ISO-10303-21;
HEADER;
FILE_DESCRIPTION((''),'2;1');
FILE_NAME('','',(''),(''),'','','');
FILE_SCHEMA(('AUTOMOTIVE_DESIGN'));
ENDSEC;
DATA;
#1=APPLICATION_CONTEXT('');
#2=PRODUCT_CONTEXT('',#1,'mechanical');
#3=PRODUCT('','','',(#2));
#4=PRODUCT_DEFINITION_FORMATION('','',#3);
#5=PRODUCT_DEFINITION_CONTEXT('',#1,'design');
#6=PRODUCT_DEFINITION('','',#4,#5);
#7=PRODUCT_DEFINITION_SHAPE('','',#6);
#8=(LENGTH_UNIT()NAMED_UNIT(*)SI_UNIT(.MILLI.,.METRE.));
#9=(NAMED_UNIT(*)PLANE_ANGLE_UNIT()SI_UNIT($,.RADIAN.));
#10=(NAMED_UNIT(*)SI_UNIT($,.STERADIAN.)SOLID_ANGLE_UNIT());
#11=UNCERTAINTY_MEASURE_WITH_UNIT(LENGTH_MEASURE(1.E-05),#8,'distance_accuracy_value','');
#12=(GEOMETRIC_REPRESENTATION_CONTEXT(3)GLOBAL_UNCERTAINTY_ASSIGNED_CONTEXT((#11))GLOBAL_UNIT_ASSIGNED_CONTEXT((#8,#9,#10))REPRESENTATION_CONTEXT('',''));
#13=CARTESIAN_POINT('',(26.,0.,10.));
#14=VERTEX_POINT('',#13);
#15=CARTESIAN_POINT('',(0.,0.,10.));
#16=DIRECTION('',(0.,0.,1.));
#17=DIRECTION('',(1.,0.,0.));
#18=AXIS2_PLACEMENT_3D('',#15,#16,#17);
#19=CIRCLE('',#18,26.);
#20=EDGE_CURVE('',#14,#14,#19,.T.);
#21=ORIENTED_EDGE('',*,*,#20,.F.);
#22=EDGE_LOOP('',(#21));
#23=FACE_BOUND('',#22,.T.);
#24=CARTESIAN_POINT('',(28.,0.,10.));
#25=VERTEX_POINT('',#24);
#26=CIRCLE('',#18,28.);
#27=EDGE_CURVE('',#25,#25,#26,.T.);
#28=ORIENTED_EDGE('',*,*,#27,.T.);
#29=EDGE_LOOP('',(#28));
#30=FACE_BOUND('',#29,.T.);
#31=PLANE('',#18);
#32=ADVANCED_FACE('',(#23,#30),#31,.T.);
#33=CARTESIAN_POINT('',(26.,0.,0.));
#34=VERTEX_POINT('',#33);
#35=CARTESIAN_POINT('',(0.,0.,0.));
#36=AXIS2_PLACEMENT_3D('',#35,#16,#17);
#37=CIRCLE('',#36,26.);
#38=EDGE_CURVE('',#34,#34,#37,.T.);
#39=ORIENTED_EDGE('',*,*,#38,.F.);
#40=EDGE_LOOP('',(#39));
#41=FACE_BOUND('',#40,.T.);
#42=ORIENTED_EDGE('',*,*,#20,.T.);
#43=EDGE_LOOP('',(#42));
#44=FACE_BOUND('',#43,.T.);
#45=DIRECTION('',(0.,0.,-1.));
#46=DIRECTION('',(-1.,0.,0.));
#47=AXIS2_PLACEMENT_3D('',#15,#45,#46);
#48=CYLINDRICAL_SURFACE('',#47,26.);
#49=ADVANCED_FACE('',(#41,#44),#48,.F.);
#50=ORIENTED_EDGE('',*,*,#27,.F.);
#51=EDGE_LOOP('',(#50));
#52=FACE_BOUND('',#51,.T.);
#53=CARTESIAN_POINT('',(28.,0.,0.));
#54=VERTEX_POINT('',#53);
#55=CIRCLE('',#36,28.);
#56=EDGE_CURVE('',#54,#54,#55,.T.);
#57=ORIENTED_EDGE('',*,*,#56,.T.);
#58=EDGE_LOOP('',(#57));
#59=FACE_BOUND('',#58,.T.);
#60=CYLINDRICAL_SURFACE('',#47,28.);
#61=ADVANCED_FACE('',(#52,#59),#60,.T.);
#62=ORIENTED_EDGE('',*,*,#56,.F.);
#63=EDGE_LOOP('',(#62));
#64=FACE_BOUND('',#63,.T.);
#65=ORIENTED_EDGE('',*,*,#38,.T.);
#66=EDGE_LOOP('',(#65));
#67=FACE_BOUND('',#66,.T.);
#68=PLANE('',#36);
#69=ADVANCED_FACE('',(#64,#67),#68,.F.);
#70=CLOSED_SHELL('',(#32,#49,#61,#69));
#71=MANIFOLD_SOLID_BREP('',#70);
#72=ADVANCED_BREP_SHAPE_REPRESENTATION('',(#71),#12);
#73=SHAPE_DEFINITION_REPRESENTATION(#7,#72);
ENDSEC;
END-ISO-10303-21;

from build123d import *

# Parameters (mm, degrees)
ESQUISSE1_R        = 28
ESQUISSE1_R_2      = 26
BOSS_EXTRU_1_DEPTH = 10


with BuildPart() as part:
    # Esquisse1 → Boss.-Extru.1 (new body)
    with BuildSketch(Plane.XY):
        Circle(ESQUISSE1_R)
        Circle(ESQUISSE1_R_2, mode=Mode.SUBTRACT)
    extrude(amount=BOSS_EXTRU_1_DEPTH)


solid = part.part
